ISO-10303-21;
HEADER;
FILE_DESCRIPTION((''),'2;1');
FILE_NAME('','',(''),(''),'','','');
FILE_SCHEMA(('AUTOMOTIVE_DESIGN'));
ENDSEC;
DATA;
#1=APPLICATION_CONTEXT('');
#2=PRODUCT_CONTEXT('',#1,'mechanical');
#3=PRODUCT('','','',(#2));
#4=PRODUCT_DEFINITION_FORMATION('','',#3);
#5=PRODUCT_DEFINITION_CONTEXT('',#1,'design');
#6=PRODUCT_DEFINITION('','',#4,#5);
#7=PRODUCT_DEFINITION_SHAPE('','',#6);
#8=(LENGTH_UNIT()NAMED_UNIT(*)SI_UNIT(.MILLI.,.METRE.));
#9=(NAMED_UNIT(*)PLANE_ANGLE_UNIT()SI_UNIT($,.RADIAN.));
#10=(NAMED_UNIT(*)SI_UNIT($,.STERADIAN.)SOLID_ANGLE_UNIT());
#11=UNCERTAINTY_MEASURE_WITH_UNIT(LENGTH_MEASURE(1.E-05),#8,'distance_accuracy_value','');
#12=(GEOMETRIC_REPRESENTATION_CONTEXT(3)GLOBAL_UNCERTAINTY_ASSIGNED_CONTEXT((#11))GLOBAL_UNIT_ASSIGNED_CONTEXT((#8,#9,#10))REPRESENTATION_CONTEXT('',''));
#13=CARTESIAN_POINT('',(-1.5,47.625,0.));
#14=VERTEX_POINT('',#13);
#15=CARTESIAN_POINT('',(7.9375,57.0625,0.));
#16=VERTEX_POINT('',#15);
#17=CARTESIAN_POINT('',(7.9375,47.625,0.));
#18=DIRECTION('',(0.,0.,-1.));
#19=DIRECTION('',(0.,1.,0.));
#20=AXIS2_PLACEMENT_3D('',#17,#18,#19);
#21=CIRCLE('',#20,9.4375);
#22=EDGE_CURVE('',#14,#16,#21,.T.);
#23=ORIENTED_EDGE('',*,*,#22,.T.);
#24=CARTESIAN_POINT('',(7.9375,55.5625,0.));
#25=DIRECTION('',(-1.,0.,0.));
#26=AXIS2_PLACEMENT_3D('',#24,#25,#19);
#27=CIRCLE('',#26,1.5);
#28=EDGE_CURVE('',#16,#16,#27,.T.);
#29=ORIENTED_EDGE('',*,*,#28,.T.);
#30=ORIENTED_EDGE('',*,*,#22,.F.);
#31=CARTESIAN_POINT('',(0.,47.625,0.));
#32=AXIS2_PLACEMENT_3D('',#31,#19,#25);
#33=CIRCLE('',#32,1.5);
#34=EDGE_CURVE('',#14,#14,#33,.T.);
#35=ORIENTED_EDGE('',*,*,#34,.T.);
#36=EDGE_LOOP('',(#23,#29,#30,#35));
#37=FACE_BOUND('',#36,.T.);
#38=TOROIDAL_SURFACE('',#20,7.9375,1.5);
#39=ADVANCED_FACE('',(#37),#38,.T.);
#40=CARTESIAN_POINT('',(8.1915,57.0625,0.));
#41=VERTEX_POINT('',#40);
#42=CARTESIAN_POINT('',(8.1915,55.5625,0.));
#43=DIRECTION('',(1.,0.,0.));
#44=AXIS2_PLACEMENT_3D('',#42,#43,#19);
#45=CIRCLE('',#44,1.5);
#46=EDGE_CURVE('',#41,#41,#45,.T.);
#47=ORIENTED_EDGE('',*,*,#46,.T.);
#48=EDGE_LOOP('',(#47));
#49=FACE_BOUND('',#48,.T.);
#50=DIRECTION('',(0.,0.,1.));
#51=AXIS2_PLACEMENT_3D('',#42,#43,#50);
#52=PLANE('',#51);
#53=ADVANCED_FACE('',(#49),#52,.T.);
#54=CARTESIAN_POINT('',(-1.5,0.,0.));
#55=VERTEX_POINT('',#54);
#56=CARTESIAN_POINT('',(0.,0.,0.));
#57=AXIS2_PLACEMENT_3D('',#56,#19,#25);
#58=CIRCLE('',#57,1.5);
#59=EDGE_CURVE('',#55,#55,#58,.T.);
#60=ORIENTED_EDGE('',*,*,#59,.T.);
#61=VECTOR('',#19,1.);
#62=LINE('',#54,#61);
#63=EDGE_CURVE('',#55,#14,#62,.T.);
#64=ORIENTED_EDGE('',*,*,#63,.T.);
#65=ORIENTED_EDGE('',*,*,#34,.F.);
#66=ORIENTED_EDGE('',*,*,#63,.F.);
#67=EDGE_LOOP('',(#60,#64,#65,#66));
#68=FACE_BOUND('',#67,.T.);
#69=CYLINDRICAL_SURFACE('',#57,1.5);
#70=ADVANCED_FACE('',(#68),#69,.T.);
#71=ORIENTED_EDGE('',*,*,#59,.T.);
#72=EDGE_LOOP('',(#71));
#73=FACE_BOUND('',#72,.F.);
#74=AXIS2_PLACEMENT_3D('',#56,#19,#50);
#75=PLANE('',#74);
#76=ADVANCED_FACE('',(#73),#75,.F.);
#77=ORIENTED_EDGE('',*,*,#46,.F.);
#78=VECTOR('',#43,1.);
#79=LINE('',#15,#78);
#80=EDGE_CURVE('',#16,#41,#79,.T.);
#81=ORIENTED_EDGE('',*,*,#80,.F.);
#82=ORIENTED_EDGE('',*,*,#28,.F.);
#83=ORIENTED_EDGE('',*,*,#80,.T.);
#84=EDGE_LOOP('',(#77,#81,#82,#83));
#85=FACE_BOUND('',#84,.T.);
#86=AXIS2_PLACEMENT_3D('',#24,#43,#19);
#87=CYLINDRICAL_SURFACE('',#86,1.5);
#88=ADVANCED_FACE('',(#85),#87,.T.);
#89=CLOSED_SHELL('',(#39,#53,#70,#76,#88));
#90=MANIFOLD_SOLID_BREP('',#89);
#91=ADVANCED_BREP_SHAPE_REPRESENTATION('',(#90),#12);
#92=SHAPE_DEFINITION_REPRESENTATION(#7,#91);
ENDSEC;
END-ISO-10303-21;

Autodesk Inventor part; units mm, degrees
ref_plane "YZ Plane" through (0, 0, 0) normal (1, 0, 0) x (0, 1, 0)
ref_plane "XZ Plane" through (0, 0, 0) normal (0, 1, 0) x (-1, 0, 0)
ref_plane "XY Plane" through (0, 0, 0) normal (0, 0, 1) x (1, 0, 0)
sketch "Sketch1" plane through (0, 0, 0) normal (0, 0, 1) x (1, 0, 0)
  line L0 (0, 0) -> (0, 47.625)
  line L1 (0, 47.625) -> (7.9375, 47.625)
  line L2 (7.9375, 47.625) -> (7.9375, 55.5625)
  line L3 (7.9375, 55.5625) -> (8.1915, 55.5625)
  arc A0 (7.9375, 55.5625) -> (0, 47.625) centre (7.9375, 47.625) ccw
  dimension "d0" = 47.625
  dimension "d1" = 7.9375
  dimension "d2" = 7.9375
  dimension "d3" = 0.254
sketch "Sketch2" plane through (0, 0, 0) normal (0, 1, 0) x (-1, 0, 0)
  circle A0 centre (0, 0) radius 1.5
  dimension "d4" = 3
sweep "Sweep1" add profiles "Sketch2" path "Sketch1" path curves L0 A0 L3
properties part number "3mmControlSurfaceShaftForePlanes"
